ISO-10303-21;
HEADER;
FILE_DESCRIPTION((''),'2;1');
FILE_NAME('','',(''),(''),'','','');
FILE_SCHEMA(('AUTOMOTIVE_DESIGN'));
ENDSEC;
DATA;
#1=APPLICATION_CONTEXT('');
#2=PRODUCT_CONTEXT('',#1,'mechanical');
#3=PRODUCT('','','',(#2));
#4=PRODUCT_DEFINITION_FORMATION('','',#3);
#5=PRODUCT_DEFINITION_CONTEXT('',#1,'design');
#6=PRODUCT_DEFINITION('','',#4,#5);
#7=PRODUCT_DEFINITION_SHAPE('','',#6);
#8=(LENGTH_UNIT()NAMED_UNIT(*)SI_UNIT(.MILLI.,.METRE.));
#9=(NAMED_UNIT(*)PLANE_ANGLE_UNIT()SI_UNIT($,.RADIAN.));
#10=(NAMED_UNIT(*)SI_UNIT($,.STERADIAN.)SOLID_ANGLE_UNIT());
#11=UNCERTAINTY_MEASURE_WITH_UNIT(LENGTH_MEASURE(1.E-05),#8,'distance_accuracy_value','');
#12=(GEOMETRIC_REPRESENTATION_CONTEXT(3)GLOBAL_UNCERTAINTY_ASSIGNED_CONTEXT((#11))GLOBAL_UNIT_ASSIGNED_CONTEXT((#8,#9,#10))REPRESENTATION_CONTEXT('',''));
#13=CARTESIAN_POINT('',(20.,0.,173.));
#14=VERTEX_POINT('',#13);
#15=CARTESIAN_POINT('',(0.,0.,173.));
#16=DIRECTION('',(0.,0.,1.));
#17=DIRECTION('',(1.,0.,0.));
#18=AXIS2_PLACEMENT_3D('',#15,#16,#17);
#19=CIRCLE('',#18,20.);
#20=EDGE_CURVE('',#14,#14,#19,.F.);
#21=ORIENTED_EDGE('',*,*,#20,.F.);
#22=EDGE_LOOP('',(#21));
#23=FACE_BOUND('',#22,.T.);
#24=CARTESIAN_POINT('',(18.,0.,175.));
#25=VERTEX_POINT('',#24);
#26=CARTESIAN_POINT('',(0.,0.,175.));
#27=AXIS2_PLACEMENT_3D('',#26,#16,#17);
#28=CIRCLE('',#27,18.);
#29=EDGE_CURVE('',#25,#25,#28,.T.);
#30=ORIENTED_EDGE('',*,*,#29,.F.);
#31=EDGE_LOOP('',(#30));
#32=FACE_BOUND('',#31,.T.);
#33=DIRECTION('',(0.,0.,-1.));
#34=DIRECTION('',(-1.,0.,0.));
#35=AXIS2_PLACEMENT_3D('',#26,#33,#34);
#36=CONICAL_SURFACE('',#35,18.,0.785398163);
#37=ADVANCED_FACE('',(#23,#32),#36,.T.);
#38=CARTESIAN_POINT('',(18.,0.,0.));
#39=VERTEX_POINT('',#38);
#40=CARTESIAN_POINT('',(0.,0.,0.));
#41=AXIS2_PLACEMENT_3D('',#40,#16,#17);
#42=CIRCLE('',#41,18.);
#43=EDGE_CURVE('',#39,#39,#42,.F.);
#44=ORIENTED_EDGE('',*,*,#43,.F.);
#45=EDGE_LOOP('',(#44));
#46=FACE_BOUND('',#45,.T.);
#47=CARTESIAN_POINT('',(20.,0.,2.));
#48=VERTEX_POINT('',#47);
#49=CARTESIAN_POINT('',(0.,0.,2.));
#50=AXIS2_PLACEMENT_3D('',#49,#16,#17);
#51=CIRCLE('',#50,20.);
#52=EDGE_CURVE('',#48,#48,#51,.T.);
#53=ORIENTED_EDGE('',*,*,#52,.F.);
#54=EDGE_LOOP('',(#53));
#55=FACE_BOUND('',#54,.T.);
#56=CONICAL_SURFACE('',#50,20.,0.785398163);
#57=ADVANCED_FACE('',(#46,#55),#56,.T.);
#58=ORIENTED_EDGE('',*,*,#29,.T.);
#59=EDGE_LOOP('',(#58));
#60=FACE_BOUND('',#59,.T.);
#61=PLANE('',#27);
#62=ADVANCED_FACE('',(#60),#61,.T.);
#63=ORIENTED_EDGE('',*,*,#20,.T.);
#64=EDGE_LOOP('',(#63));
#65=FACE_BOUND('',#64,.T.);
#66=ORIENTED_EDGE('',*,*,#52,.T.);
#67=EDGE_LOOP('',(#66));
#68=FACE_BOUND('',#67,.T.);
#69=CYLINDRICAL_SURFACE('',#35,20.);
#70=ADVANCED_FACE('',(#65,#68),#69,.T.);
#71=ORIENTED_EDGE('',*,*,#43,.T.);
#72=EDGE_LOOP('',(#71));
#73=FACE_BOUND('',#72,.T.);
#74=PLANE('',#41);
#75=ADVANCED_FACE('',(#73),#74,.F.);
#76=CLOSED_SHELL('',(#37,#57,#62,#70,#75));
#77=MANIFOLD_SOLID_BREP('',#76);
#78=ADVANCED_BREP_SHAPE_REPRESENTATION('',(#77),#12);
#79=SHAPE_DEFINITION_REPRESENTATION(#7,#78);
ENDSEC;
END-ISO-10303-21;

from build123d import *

# Parameters (mm, degrees)
SKETCH1_R      = 20
EXTRUDE1_DEPTH = 175
CHAMFER1_SIZE  = 2


with BuildPart() as part:
    # Sketch1 → Extrude1 (new body)
    with BuildSketch(Plane.XY):
        Circle(SKETCH1_R)
    extrude(amount=EXTRUDE1_DEPTH)

    # Chamfer1
    chamfer1_edges = [part.edges().sort_by_distance(p)[0] for p in [
        (-20, 0, 0),
        (-20, 0, 175),
    ]]
    chamfer(chamfer1_edges, length=CHAMFER1_SIZE)


solid = part.part
